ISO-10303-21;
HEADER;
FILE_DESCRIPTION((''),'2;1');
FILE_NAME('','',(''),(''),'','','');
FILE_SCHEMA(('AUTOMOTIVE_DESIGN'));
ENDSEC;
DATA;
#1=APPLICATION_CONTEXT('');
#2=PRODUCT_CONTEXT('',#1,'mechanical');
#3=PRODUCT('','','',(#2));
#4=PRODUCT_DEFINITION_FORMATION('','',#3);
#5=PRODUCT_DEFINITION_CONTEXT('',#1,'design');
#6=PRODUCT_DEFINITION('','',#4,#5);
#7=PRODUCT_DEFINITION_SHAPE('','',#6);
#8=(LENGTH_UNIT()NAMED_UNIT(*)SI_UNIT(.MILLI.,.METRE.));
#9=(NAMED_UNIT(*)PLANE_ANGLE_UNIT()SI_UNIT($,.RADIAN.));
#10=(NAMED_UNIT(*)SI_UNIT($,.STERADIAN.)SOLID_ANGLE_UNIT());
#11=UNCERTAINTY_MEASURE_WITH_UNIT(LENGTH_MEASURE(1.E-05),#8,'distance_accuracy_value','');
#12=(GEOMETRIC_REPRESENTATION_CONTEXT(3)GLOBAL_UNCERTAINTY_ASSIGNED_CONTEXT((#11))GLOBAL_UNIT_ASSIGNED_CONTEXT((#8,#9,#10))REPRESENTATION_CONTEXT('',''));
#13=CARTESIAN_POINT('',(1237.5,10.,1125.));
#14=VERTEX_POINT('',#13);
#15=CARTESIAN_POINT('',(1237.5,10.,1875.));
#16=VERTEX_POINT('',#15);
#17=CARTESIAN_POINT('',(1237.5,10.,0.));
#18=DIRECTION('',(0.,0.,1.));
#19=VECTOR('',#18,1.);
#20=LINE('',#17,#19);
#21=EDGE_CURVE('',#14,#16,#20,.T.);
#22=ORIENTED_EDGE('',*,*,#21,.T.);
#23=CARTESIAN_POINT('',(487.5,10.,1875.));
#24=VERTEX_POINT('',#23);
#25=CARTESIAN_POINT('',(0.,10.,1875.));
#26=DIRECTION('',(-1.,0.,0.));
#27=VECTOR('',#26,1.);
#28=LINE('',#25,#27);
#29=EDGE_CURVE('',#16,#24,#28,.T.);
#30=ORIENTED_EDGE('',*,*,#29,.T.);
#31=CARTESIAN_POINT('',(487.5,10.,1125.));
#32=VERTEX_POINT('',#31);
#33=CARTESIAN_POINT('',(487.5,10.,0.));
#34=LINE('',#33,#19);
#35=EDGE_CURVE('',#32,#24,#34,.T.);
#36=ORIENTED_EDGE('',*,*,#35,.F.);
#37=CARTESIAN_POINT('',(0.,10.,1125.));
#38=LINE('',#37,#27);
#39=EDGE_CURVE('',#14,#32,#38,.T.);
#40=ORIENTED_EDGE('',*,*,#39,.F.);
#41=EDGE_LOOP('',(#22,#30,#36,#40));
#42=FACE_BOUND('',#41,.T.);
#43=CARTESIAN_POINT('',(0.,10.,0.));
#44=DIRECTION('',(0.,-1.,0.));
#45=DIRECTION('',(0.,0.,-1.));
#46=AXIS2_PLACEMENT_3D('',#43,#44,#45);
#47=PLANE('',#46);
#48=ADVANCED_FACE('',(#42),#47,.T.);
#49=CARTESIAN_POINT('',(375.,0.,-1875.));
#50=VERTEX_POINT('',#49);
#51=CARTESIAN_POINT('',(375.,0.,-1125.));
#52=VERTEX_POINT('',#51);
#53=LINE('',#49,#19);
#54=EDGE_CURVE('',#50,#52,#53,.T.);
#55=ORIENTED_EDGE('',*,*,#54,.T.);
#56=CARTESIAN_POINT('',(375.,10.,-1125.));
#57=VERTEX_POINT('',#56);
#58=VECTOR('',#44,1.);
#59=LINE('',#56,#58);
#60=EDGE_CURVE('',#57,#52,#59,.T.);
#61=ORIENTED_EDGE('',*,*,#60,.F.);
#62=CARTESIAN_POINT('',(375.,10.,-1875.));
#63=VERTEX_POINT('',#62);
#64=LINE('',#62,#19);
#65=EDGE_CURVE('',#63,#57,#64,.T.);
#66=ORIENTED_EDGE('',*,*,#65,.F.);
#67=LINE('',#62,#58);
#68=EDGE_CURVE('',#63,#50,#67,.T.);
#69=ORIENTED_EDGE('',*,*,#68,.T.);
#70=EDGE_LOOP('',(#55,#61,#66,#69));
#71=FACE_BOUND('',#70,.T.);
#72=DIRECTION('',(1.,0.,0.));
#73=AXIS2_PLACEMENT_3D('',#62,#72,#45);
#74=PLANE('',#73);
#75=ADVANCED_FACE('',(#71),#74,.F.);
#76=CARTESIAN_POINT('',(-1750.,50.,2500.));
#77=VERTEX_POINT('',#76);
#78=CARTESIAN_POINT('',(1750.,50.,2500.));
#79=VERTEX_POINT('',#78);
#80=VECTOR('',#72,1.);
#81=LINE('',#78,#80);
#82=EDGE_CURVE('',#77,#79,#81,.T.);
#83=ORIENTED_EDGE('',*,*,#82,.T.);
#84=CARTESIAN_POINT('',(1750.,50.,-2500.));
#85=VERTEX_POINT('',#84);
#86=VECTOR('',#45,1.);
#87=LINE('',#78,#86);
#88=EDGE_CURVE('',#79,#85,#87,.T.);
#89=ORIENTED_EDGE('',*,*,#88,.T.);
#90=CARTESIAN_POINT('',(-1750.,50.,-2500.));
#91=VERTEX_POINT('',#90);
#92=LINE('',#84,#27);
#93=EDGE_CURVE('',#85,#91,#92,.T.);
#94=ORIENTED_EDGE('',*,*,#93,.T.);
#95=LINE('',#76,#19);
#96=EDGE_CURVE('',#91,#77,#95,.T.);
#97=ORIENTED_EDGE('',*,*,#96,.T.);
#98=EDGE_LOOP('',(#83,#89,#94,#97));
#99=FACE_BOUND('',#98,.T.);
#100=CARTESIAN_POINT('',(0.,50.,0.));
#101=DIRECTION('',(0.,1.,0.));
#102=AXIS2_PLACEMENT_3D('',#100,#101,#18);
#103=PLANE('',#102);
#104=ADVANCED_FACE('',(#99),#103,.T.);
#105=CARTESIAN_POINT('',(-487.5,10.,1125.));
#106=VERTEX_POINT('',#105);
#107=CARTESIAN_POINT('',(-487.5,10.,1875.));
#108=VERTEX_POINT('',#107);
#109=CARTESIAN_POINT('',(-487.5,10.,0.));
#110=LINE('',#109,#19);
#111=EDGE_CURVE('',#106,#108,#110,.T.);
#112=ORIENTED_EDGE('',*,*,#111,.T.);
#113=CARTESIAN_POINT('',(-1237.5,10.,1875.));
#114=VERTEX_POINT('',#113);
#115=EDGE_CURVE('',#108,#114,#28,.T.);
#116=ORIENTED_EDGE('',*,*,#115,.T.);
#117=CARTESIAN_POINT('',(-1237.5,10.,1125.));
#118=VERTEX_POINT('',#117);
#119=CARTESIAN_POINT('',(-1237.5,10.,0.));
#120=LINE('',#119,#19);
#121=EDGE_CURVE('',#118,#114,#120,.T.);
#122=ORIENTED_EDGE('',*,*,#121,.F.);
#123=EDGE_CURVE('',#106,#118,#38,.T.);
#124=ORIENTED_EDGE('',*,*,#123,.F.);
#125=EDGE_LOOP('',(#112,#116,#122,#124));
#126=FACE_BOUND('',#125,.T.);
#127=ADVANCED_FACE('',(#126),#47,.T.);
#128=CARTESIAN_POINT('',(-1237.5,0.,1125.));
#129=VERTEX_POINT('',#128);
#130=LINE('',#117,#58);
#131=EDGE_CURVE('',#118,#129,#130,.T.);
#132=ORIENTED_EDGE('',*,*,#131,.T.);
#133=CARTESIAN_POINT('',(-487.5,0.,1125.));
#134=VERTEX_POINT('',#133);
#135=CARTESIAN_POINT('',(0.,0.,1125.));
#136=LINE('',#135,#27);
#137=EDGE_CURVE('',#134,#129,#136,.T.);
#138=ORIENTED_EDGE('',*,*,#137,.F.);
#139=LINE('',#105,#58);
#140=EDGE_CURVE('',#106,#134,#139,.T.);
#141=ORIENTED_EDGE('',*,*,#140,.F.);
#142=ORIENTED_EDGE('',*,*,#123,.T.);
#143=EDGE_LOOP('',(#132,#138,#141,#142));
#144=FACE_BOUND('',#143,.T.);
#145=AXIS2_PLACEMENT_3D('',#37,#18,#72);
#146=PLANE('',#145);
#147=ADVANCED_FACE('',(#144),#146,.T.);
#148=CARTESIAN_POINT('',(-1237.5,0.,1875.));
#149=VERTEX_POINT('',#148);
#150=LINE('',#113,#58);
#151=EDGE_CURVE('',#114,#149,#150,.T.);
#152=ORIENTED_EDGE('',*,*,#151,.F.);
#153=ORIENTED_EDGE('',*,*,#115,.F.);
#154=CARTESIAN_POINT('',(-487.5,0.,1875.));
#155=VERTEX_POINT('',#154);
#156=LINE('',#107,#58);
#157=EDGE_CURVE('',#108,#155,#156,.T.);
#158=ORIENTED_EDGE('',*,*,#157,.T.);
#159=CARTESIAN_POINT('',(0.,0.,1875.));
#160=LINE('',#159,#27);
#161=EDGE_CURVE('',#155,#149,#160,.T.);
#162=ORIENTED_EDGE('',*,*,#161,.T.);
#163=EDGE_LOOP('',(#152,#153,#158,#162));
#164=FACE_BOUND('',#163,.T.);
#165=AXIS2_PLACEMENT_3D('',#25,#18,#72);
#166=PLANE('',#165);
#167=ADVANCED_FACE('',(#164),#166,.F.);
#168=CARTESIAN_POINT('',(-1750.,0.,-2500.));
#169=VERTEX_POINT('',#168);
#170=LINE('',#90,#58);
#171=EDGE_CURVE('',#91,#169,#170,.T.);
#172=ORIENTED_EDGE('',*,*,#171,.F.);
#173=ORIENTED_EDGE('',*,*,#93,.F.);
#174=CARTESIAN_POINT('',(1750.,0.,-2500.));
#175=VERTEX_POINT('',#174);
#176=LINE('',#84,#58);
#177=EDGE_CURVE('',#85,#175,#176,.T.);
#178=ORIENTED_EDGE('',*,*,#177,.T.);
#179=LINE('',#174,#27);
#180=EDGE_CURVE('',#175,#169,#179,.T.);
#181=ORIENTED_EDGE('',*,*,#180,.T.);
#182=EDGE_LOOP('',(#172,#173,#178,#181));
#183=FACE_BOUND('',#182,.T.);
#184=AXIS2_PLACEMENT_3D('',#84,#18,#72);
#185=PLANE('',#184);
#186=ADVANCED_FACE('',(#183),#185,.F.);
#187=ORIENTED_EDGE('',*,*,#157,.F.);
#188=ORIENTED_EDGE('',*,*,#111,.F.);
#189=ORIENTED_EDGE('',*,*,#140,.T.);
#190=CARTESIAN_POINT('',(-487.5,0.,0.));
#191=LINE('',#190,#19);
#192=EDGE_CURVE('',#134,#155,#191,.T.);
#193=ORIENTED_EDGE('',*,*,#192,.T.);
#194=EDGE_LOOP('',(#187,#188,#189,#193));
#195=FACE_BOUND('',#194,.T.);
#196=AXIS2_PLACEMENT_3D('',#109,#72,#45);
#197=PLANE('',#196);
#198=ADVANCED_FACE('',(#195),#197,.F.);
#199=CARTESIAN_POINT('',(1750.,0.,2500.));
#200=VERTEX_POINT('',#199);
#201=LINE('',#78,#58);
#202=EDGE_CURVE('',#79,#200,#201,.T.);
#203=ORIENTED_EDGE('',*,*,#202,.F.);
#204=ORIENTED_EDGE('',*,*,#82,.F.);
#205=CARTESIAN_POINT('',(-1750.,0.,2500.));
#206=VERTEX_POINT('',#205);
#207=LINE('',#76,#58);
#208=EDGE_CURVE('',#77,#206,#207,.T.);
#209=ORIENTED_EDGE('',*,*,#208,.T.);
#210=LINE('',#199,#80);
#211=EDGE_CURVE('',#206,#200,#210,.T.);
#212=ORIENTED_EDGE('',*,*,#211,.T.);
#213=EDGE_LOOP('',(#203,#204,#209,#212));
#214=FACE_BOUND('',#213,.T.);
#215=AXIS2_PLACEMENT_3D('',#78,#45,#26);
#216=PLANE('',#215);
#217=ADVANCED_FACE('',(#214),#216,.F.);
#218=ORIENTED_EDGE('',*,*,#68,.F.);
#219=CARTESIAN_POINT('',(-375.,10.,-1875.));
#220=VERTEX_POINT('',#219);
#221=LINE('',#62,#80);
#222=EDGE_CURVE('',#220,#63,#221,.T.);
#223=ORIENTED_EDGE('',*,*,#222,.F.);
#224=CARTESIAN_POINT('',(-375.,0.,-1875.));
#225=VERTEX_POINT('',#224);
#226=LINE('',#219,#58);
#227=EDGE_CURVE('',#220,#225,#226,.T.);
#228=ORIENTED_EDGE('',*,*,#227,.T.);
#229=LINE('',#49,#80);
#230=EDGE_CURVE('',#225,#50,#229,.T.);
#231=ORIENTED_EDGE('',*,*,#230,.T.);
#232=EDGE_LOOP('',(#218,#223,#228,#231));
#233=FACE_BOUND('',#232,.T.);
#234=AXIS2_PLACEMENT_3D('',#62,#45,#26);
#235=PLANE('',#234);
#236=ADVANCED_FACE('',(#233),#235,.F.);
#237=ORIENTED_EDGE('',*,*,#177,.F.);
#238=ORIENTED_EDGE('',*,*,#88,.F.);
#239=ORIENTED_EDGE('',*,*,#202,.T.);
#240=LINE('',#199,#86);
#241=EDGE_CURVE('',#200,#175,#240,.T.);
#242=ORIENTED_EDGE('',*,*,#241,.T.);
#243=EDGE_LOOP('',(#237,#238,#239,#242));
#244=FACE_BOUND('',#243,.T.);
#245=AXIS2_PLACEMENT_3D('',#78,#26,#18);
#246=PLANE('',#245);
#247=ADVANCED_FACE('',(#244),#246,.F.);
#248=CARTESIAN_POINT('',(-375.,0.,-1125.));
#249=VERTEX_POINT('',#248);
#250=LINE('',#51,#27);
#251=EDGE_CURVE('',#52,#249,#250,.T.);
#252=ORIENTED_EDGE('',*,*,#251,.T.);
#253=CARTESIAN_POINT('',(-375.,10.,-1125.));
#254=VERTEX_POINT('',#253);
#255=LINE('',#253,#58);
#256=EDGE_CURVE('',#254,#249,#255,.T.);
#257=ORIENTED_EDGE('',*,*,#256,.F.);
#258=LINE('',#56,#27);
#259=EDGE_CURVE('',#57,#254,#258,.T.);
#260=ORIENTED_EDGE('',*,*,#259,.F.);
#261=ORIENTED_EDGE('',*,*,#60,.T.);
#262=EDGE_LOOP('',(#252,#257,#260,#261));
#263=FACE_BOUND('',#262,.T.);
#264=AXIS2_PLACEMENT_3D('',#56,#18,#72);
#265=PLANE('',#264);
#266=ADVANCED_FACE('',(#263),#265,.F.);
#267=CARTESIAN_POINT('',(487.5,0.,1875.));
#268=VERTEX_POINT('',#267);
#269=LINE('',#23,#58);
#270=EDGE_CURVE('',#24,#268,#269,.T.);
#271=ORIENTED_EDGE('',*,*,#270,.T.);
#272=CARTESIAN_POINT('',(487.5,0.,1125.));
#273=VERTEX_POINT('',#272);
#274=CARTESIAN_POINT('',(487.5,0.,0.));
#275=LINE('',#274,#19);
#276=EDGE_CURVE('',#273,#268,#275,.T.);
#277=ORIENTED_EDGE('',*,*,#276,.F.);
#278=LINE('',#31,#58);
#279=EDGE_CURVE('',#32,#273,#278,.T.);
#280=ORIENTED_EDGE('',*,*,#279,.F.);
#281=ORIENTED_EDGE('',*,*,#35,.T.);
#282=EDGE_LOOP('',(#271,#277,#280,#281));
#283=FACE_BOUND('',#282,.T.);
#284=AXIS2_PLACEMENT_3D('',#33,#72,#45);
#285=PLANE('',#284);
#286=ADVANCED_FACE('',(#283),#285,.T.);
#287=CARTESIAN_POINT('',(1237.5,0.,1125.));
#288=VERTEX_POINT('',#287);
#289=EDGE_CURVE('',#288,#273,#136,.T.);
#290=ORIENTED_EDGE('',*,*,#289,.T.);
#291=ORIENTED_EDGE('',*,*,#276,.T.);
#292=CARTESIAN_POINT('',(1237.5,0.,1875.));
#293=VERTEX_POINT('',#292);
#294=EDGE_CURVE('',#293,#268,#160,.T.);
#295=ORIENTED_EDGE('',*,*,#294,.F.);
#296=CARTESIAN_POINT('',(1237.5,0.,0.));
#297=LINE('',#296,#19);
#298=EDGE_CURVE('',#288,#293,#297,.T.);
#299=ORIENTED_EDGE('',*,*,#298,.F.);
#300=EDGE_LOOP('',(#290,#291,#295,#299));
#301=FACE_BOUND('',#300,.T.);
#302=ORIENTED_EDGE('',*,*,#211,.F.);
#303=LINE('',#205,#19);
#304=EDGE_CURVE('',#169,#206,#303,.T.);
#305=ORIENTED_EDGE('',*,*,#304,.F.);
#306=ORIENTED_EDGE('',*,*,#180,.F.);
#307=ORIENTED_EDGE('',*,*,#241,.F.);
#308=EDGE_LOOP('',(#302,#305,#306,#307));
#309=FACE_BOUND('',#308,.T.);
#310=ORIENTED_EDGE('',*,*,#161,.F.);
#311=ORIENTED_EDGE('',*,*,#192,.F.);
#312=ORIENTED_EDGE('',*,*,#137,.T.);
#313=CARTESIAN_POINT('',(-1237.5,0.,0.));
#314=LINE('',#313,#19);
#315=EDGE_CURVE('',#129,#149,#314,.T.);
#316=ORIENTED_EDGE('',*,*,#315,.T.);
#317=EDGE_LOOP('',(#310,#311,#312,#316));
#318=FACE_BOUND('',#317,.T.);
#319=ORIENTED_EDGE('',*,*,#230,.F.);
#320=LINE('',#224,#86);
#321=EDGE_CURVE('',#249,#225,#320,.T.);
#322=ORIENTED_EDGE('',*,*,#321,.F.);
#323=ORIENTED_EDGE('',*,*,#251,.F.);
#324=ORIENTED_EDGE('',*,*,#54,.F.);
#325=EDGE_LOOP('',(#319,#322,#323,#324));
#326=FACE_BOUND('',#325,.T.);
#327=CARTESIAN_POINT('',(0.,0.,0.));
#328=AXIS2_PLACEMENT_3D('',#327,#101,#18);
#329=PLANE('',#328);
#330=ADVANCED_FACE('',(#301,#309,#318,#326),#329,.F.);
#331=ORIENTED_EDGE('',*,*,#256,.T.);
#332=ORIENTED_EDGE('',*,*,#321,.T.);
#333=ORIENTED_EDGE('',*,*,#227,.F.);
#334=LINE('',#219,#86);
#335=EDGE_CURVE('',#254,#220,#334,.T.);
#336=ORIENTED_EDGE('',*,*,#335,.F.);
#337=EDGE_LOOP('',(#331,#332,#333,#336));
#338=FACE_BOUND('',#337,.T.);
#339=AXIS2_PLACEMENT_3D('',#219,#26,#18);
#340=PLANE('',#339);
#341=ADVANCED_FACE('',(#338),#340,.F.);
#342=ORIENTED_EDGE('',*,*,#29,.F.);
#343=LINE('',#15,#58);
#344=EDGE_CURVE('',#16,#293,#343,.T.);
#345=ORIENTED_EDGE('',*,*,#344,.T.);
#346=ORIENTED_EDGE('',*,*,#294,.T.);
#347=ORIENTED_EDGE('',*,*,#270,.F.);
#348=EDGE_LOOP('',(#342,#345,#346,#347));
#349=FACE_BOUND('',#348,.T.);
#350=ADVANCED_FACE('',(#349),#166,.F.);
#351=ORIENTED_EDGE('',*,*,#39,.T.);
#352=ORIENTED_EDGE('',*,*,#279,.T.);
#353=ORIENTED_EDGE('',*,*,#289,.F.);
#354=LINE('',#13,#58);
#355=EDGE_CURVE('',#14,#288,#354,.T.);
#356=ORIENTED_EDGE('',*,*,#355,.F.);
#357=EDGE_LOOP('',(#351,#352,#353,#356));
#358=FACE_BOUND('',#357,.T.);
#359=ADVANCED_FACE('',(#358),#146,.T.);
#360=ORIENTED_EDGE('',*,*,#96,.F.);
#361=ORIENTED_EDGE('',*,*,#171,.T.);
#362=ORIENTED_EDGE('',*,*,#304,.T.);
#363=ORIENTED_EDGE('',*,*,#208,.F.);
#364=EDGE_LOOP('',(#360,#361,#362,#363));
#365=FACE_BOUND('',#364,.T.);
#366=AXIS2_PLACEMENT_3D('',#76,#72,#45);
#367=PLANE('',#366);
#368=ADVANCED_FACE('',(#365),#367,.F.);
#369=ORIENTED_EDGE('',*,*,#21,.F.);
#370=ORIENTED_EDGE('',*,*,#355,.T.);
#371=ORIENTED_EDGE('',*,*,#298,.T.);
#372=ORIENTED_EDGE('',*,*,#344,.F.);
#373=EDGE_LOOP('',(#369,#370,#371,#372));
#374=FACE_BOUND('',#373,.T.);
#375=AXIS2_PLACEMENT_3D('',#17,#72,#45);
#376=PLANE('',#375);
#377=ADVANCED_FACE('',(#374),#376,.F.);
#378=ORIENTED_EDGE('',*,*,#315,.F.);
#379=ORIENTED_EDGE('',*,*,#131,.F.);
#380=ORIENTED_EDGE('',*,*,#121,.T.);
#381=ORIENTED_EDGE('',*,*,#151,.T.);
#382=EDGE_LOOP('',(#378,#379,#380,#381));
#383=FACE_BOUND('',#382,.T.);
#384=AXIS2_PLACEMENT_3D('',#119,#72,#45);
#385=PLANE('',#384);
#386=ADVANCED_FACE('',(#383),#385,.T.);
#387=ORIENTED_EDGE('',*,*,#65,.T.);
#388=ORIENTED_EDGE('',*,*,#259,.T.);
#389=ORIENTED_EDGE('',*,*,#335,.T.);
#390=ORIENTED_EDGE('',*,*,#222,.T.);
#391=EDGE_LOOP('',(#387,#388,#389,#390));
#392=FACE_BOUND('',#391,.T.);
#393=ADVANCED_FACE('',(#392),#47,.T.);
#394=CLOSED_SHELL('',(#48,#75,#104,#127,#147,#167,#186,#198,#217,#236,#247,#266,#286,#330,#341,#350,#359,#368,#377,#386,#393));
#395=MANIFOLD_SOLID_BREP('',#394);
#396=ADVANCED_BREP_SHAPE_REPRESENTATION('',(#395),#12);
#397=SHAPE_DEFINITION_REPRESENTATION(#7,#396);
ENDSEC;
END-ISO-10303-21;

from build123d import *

# Parameters (mm, degrees)
SKETCH1_W           = 3500
SKETCH1_H           = 5000
BOSS_EXTRUDE1_DEPTH = 50
SKETCH2_W           = 750
SKETCH2_H           = 750
CUT_EXTRUDE1_DEPTH  = 10
SKETCH3_W           = 750
SKETCH3_H           = 750
CUT_EXTRUDE2_DEPTH  = 10


with BuildPart() as part:
    # Sketch1 → Boss-Extrude1 (new body)
    with BuildSketch(Plane(origin=(0, 0, 0), x_dir=(1, 0, 0), z_dir=(0, 1, 0))):
        Rectangle(SKETCH1_W, SKETCH1_H)
    extrude(amount=BOSS_EXTRUDE1_DEPTH)

    # Sketch2 → Cut-Extrude1 (cut)
    with BuildSketch(Plane.XZ):
        with Locations((-862.5, 1500)):
            Rectangle(SKETCH2_W, SKETCH2_H)
        with Locations((862.5, 1500)):
            Rectangle(SKETCH2_W, SKETCH2_H)
    extrude(amount=-CUT_EXTRUDE1_DEPTH, mode=Mode.SUBTRACT)

    # Sketch3 → Cut-Extrude2 (cut)
    with BuildSketch(Plane.XZ):
        with Locations((0, -1500)):
            Rectangle(SKETCH3_W, SKETCH3_H)
    extrude(amount=-CUT_EXTRUDE2_DEPTH, mode=Mode.SUBTRACT)


solid = part.part
